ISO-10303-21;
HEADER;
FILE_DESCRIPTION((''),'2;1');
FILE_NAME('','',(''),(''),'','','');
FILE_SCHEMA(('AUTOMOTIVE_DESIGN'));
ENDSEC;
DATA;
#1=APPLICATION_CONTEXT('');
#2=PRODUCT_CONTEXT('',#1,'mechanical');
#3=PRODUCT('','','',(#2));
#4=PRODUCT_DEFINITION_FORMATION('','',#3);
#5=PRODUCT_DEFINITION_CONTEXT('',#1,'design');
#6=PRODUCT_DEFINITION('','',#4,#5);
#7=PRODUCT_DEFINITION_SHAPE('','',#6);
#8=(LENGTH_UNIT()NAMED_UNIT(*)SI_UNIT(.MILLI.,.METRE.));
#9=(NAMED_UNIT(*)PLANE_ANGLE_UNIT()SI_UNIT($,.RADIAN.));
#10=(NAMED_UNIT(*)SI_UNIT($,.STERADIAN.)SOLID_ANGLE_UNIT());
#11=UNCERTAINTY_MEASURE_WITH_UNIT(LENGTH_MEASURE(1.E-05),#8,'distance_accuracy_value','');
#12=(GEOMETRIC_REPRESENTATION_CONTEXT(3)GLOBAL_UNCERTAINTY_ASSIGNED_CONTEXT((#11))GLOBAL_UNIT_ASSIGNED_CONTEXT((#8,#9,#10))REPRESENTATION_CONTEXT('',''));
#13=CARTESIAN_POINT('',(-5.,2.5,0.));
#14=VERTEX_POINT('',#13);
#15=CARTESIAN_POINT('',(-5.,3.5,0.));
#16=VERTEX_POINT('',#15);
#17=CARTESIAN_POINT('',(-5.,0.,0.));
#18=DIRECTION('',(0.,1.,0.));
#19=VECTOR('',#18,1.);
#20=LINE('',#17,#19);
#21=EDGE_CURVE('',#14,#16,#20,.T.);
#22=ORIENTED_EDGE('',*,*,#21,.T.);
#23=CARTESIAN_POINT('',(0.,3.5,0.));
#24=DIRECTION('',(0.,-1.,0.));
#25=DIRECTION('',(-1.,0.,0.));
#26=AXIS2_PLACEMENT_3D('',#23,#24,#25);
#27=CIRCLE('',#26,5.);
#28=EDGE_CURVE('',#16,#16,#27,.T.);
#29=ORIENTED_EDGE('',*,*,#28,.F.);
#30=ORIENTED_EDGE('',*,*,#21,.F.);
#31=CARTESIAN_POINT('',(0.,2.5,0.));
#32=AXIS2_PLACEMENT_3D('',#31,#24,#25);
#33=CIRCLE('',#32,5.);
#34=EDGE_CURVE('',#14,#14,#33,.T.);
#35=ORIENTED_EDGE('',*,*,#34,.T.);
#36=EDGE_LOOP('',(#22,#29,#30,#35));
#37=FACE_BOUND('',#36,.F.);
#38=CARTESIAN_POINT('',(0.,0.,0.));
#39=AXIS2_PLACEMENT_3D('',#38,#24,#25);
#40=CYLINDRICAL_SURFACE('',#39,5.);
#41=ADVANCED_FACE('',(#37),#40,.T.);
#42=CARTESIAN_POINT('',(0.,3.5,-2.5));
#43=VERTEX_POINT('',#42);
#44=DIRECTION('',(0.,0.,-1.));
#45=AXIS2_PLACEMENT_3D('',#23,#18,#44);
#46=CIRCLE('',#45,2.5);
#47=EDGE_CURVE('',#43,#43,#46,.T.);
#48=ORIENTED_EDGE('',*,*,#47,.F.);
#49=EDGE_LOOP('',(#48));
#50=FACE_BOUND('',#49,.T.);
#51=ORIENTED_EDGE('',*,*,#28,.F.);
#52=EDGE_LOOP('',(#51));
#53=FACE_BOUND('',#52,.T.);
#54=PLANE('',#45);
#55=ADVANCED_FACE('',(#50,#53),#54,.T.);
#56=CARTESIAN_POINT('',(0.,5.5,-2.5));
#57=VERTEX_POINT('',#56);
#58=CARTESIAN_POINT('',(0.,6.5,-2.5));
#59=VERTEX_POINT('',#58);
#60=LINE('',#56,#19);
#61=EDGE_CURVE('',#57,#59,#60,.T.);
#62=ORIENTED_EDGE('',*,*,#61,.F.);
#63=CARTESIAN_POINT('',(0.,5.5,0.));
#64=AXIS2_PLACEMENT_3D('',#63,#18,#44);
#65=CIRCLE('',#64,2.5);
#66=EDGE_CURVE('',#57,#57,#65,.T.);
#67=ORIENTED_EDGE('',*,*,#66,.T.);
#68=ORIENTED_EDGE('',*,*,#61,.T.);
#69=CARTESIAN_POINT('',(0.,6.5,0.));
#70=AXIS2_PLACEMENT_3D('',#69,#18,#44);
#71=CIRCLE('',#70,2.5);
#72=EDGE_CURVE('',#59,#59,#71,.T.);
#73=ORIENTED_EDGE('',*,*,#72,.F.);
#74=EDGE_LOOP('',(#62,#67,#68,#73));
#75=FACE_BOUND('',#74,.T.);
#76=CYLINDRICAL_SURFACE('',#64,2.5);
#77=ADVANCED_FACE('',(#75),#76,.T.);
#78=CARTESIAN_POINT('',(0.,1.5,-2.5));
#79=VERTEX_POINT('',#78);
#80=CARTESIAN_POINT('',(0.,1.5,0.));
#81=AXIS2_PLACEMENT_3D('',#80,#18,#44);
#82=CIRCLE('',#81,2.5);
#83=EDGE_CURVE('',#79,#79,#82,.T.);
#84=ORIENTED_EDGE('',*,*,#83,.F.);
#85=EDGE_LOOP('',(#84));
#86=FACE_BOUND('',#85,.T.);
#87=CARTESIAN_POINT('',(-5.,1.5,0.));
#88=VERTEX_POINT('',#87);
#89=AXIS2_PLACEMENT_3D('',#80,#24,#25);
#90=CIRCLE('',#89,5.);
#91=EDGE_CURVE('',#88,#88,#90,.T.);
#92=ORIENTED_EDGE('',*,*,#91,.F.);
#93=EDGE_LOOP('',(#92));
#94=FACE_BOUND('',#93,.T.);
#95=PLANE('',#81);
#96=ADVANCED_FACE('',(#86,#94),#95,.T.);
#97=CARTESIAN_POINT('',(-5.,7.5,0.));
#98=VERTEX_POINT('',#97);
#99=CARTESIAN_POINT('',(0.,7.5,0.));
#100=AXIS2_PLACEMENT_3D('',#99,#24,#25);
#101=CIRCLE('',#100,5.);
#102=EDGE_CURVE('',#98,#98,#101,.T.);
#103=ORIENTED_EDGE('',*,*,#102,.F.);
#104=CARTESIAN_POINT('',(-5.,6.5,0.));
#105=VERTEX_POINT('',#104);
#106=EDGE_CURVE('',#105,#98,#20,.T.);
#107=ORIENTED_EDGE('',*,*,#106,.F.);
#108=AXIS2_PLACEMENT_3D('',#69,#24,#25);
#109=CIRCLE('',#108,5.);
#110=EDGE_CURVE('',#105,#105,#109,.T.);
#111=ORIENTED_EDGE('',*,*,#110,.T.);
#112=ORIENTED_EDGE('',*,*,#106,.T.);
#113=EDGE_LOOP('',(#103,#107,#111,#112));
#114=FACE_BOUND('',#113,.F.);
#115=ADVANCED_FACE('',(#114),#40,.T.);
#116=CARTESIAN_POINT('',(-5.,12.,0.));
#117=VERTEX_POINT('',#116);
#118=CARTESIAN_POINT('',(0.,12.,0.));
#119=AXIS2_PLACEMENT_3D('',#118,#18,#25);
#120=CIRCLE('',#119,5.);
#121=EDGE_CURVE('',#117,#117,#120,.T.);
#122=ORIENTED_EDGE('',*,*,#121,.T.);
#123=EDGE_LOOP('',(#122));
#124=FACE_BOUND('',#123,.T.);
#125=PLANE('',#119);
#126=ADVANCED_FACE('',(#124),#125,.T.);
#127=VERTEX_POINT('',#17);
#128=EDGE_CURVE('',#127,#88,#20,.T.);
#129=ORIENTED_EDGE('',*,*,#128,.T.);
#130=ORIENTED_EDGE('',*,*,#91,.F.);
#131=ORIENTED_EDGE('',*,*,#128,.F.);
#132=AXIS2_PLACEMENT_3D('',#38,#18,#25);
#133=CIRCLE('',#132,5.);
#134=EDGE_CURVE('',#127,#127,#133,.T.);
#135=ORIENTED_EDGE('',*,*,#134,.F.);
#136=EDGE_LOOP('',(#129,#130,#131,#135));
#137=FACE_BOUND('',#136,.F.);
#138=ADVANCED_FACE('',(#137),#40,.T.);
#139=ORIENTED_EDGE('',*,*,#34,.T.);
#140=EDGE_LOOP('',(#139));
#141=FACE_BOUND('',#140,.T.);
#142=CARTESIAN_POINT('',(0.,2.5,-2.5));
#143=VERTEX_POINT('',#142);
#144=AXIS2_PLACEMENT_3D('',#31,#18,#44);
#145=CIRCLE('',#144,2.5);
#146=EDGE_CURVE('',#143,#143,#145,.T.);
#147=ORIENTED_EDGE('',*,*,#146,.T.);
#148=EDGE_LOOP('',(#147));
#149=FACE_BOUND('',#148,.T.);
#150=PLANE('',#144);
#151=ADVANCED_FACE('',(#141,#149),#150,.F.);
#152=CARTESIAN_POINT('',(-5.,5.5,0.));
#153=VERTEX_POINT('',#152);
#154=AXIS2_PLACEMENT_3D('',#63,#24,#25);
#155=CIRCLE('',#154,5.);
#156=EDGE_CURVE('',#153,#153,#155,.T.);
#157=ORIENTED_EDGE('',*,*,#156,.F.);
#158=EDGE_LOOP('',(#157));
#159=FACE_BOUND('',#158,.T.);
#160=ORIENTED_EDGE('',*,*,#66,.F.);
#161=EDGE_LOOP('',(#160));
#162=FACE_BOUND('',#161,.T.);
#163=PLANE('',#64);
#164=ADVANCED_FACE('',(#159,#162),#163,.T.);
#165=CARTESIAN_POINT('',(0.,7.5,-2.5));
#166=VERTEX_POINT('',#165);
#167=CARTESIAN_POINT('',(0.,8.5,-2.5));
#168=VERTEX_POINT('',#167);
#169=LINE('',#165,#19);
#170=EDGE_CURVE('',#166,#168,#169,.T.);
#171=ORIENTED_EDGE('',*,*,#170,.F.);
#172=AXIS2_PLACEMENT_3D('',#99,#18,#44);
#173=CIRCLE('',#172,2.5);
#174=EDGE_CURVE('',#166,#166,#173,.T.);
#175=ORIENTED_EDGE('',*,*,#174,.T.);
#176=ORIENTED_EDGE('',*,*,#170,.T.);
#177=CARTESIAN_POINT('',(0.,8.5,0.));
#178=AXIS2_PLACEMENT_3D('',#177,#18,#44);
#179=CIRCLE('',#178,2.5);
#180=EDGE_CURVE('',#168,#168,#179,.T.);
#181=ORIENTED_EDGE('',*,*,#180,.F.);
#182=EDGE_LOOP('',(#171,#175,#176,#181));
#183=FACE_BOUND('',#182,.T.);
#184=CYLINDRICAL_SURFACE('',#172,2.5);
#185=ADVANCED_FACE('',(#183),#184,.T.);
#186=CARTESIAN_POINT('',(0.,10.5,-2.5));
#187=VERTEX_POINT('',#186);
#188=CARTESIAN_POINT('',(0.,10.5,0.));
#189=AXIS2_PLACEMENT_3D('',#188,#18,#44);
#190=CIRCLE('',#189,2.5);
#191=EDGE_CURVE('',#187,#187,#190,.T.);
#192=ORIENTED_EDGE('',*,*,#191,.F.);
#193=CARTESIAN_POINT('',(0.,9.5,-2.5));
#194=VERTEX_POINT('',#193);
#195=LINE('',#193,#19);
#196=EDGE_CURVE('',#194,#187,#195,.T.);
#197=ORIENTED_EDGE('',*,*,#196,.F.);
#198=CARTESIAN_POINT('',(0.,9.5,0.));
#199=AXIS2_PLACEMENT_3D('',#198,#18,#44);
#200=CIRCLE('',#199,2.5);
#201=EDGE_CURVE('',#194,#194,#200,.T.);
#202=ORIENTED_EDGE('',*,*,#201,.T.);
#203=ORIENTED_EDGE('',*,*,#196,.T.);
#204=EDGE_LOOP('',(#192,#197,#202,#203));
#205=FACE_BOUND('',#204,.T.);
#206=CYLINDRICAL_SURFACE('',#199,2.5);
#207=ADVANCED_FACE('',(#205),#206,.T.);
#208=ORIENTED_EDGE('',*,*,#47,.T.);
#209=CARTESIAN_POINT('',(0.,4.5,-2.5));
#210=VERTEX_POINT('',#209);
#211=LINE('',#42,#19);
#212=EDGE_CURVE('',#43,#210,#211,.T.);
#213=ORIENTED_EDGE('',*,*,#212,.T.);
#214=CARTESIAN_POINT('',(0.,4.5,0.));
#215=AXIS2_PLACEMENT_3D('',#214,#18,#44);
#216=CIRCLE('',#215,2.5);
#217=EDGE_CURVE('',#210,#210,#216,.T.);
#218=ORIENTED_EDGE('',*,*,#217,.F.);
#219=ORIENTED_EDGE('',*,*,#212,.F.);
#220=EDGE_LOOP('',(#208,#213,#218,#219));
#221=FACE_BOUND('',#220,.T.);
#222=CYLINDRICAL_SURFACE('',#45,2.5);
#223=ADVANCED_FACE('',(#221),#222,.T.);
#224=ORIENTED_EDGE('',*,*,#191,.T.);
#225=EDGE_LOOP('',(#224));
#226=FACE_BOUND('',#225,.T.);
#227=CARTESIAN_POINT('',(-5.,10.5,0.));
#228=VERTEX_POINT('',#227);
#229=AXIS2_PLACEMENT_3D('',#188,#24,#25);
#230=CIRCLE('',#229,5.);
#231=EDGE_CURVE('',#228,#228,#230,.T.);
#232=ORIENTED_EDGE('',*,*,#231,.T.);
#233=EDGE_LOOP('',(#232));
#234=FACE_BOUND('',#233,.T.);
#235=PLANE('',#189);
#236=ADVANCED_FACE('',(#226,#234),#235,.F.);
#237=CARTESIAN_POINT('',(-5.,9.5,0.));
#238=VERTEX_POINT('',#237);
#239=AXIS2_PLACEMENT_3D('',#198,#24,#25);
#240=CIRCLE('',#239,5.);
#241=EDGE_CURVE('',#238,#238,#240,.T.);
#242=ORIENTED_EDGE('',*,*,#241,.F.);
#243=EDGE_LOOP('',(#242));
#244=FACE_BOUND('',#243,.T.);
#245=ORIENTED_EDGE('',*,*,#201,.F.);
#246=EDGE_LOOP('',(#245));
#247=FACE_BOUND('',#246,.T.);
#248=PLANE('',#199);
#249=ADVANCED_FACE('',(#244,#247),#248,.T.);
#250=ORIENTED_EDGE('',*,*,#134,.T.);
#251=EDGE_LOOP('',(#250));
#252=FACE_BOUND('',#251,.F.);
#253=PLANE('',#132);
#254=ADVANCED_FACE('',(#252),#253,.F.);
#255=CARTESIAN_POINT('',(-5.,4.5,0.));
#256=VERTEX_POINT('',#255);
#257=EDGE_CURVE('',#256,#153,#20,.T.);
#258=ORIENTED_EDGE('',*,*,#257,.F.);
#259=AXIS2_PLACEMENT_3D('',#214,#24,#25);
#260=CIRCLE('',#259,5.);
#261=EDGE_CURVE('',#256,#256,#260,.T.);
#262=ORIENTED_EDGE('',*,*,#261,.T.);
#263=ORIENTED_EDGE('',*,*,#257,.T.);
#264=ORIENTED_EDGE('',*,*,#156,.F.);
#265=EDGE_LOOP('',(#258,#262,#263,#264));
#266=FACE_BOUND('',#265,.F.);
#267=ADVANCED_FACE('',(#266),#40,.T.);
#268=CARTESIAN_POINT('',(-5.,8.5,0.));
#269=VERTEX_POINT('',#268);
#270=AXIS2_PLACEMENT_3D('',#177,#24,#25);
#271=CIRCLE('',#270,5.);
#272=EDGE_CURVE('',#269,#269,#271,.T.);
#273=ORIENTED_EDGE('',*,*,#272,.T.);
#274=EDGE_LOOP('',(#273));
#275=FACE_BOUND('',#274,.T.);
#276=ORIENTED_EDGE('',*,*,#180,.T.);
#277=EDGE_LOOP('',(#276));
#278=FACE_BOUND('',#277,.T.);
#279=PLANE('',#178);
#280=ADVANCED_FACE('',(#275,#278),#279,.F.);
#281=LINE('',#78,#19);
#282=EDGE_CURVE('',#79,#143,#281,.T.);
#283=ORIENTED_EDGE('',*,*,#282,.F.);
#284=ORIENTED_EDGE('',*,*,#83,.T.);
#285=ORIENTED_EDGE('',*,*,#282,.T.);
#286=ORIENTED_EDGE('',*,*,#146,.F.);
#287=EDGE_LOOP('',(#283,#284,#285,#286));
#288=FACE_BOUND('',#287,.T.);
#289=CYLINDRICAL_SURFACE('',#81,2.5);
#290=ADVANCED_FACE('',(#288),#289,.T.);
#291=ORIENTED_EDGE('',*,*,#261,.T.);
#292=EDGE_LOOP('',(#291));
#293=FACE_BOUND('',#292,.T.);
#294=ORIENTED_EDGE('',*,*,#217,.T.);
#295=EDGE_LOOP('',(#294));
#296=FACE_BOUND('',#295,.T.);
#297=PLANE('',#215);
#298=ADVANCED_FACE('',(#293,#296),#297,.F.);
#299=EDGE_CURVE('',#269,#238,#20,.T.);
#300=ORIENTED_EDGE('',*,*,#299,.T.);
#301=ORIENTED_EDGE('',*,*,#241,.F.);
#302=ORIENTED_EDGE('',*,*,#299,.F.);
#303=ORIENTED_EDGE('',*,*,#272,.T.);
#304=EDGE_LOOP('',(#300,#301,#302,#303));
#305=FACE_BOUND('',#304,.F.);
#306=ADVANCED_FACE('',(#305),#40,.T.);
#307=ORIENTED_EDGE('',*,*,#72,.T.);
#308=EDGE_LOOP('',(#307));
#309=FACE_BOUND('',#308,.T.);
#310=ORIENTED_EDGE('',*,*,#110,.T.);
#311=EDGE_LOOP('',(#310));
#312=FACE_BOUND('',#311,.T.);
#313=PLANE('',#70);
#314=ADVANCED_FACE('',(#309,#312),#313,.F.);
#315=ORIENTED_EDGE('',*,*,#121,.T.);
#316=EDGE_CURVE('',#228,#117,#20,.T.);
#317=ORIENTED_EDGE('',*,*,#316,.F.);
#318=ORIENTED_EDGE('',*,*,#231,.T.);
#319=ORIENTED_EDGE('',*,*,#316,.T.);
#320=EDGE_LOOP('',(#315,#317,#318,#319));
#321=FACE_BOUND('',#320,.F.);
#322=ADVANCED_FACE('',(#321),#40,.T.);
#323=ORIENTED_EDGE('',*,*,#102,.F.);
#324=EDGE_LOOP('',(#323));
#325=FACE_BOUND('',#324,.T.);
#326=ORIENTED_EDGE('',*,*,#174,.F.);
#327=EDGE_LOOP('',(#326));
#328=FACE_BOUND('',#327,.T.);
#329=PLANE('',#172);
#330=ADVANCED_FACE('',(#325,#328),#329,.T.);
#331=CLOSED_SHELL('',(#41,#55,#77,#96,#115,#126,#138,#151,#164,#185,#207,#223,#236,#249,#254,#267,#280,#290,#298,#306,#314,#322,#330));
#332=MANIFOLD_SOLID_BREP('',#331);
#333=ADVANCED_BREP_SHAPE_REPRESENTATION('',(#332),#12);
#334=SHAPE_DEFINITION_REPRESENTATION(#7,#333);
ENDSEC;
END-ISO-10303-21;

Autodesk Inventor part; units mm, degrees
ref_plane "YZ Plane" through (0, 0, 0) normal (1, 0, 0) x (0, 1, 0)
ref_plane "XZ Plane" through (0, 0, 0) normal (0, 1, 0) x (-1, 0, 0)
ref_plane "XY Plane" through (0, 0, 0) normal (0, 0, 1) x (1, 0, 0)
sketch "Sketch1" plane through (0, 0, 0) normal (0, 1, 0) x (-1, 0, 0)
  circle A0 centre (0, 0) radius 5
  dimension "d0" = 10
extrude "Extrusion1" add sketch "Sketch1" along normal blind 12
sketch "Sketch2" plane through (0, 0, 0) normal (1, 0, 0) x (0, 1, 0)
  line L0 (1.5, -2.5) -> (2.5, -2.5)
  line L1 (2.5, -2.5) -> (2.5, -7.5)
  line L2 (2.5, -7.5) -> (1.5, -7.5)
  line L3 (1.5, -7.5) -> (1.5, -2.5)
  line L4 (0, -5) -> (12, -5) projected
  line L5 (1.5, -2.5) -> (2.5, -7.5) construction
  line L6 (2.5, -2.5) -> (1.5, -7.5) construction
  line L7 (0, 0) -> (12, 0)
  line L8 (12, -5) -> (12, 5) projected
  line L9 (0, -10) -> (0, 7.5) projected
  line L10 (-2.4, 0) -> (14.4, 0) projected
  point P0 (2, -5)
  dimension "d3" = 1
  dimension "d4" = 5
  dimension "d9" = 2
revolve "Revolution1" cut sketch "Sketch2" angle 360 about axis through (0, 0, 0) along (0, 1, 0) contours L0 L1 L4 L3 | L4 L1 L2 L3
pattern_linear "Rectangular Pattern1" count 5 spacing 2 along (0, 1, 0) of "Revolution1"
properties part number "Ceramic_Spacer"
